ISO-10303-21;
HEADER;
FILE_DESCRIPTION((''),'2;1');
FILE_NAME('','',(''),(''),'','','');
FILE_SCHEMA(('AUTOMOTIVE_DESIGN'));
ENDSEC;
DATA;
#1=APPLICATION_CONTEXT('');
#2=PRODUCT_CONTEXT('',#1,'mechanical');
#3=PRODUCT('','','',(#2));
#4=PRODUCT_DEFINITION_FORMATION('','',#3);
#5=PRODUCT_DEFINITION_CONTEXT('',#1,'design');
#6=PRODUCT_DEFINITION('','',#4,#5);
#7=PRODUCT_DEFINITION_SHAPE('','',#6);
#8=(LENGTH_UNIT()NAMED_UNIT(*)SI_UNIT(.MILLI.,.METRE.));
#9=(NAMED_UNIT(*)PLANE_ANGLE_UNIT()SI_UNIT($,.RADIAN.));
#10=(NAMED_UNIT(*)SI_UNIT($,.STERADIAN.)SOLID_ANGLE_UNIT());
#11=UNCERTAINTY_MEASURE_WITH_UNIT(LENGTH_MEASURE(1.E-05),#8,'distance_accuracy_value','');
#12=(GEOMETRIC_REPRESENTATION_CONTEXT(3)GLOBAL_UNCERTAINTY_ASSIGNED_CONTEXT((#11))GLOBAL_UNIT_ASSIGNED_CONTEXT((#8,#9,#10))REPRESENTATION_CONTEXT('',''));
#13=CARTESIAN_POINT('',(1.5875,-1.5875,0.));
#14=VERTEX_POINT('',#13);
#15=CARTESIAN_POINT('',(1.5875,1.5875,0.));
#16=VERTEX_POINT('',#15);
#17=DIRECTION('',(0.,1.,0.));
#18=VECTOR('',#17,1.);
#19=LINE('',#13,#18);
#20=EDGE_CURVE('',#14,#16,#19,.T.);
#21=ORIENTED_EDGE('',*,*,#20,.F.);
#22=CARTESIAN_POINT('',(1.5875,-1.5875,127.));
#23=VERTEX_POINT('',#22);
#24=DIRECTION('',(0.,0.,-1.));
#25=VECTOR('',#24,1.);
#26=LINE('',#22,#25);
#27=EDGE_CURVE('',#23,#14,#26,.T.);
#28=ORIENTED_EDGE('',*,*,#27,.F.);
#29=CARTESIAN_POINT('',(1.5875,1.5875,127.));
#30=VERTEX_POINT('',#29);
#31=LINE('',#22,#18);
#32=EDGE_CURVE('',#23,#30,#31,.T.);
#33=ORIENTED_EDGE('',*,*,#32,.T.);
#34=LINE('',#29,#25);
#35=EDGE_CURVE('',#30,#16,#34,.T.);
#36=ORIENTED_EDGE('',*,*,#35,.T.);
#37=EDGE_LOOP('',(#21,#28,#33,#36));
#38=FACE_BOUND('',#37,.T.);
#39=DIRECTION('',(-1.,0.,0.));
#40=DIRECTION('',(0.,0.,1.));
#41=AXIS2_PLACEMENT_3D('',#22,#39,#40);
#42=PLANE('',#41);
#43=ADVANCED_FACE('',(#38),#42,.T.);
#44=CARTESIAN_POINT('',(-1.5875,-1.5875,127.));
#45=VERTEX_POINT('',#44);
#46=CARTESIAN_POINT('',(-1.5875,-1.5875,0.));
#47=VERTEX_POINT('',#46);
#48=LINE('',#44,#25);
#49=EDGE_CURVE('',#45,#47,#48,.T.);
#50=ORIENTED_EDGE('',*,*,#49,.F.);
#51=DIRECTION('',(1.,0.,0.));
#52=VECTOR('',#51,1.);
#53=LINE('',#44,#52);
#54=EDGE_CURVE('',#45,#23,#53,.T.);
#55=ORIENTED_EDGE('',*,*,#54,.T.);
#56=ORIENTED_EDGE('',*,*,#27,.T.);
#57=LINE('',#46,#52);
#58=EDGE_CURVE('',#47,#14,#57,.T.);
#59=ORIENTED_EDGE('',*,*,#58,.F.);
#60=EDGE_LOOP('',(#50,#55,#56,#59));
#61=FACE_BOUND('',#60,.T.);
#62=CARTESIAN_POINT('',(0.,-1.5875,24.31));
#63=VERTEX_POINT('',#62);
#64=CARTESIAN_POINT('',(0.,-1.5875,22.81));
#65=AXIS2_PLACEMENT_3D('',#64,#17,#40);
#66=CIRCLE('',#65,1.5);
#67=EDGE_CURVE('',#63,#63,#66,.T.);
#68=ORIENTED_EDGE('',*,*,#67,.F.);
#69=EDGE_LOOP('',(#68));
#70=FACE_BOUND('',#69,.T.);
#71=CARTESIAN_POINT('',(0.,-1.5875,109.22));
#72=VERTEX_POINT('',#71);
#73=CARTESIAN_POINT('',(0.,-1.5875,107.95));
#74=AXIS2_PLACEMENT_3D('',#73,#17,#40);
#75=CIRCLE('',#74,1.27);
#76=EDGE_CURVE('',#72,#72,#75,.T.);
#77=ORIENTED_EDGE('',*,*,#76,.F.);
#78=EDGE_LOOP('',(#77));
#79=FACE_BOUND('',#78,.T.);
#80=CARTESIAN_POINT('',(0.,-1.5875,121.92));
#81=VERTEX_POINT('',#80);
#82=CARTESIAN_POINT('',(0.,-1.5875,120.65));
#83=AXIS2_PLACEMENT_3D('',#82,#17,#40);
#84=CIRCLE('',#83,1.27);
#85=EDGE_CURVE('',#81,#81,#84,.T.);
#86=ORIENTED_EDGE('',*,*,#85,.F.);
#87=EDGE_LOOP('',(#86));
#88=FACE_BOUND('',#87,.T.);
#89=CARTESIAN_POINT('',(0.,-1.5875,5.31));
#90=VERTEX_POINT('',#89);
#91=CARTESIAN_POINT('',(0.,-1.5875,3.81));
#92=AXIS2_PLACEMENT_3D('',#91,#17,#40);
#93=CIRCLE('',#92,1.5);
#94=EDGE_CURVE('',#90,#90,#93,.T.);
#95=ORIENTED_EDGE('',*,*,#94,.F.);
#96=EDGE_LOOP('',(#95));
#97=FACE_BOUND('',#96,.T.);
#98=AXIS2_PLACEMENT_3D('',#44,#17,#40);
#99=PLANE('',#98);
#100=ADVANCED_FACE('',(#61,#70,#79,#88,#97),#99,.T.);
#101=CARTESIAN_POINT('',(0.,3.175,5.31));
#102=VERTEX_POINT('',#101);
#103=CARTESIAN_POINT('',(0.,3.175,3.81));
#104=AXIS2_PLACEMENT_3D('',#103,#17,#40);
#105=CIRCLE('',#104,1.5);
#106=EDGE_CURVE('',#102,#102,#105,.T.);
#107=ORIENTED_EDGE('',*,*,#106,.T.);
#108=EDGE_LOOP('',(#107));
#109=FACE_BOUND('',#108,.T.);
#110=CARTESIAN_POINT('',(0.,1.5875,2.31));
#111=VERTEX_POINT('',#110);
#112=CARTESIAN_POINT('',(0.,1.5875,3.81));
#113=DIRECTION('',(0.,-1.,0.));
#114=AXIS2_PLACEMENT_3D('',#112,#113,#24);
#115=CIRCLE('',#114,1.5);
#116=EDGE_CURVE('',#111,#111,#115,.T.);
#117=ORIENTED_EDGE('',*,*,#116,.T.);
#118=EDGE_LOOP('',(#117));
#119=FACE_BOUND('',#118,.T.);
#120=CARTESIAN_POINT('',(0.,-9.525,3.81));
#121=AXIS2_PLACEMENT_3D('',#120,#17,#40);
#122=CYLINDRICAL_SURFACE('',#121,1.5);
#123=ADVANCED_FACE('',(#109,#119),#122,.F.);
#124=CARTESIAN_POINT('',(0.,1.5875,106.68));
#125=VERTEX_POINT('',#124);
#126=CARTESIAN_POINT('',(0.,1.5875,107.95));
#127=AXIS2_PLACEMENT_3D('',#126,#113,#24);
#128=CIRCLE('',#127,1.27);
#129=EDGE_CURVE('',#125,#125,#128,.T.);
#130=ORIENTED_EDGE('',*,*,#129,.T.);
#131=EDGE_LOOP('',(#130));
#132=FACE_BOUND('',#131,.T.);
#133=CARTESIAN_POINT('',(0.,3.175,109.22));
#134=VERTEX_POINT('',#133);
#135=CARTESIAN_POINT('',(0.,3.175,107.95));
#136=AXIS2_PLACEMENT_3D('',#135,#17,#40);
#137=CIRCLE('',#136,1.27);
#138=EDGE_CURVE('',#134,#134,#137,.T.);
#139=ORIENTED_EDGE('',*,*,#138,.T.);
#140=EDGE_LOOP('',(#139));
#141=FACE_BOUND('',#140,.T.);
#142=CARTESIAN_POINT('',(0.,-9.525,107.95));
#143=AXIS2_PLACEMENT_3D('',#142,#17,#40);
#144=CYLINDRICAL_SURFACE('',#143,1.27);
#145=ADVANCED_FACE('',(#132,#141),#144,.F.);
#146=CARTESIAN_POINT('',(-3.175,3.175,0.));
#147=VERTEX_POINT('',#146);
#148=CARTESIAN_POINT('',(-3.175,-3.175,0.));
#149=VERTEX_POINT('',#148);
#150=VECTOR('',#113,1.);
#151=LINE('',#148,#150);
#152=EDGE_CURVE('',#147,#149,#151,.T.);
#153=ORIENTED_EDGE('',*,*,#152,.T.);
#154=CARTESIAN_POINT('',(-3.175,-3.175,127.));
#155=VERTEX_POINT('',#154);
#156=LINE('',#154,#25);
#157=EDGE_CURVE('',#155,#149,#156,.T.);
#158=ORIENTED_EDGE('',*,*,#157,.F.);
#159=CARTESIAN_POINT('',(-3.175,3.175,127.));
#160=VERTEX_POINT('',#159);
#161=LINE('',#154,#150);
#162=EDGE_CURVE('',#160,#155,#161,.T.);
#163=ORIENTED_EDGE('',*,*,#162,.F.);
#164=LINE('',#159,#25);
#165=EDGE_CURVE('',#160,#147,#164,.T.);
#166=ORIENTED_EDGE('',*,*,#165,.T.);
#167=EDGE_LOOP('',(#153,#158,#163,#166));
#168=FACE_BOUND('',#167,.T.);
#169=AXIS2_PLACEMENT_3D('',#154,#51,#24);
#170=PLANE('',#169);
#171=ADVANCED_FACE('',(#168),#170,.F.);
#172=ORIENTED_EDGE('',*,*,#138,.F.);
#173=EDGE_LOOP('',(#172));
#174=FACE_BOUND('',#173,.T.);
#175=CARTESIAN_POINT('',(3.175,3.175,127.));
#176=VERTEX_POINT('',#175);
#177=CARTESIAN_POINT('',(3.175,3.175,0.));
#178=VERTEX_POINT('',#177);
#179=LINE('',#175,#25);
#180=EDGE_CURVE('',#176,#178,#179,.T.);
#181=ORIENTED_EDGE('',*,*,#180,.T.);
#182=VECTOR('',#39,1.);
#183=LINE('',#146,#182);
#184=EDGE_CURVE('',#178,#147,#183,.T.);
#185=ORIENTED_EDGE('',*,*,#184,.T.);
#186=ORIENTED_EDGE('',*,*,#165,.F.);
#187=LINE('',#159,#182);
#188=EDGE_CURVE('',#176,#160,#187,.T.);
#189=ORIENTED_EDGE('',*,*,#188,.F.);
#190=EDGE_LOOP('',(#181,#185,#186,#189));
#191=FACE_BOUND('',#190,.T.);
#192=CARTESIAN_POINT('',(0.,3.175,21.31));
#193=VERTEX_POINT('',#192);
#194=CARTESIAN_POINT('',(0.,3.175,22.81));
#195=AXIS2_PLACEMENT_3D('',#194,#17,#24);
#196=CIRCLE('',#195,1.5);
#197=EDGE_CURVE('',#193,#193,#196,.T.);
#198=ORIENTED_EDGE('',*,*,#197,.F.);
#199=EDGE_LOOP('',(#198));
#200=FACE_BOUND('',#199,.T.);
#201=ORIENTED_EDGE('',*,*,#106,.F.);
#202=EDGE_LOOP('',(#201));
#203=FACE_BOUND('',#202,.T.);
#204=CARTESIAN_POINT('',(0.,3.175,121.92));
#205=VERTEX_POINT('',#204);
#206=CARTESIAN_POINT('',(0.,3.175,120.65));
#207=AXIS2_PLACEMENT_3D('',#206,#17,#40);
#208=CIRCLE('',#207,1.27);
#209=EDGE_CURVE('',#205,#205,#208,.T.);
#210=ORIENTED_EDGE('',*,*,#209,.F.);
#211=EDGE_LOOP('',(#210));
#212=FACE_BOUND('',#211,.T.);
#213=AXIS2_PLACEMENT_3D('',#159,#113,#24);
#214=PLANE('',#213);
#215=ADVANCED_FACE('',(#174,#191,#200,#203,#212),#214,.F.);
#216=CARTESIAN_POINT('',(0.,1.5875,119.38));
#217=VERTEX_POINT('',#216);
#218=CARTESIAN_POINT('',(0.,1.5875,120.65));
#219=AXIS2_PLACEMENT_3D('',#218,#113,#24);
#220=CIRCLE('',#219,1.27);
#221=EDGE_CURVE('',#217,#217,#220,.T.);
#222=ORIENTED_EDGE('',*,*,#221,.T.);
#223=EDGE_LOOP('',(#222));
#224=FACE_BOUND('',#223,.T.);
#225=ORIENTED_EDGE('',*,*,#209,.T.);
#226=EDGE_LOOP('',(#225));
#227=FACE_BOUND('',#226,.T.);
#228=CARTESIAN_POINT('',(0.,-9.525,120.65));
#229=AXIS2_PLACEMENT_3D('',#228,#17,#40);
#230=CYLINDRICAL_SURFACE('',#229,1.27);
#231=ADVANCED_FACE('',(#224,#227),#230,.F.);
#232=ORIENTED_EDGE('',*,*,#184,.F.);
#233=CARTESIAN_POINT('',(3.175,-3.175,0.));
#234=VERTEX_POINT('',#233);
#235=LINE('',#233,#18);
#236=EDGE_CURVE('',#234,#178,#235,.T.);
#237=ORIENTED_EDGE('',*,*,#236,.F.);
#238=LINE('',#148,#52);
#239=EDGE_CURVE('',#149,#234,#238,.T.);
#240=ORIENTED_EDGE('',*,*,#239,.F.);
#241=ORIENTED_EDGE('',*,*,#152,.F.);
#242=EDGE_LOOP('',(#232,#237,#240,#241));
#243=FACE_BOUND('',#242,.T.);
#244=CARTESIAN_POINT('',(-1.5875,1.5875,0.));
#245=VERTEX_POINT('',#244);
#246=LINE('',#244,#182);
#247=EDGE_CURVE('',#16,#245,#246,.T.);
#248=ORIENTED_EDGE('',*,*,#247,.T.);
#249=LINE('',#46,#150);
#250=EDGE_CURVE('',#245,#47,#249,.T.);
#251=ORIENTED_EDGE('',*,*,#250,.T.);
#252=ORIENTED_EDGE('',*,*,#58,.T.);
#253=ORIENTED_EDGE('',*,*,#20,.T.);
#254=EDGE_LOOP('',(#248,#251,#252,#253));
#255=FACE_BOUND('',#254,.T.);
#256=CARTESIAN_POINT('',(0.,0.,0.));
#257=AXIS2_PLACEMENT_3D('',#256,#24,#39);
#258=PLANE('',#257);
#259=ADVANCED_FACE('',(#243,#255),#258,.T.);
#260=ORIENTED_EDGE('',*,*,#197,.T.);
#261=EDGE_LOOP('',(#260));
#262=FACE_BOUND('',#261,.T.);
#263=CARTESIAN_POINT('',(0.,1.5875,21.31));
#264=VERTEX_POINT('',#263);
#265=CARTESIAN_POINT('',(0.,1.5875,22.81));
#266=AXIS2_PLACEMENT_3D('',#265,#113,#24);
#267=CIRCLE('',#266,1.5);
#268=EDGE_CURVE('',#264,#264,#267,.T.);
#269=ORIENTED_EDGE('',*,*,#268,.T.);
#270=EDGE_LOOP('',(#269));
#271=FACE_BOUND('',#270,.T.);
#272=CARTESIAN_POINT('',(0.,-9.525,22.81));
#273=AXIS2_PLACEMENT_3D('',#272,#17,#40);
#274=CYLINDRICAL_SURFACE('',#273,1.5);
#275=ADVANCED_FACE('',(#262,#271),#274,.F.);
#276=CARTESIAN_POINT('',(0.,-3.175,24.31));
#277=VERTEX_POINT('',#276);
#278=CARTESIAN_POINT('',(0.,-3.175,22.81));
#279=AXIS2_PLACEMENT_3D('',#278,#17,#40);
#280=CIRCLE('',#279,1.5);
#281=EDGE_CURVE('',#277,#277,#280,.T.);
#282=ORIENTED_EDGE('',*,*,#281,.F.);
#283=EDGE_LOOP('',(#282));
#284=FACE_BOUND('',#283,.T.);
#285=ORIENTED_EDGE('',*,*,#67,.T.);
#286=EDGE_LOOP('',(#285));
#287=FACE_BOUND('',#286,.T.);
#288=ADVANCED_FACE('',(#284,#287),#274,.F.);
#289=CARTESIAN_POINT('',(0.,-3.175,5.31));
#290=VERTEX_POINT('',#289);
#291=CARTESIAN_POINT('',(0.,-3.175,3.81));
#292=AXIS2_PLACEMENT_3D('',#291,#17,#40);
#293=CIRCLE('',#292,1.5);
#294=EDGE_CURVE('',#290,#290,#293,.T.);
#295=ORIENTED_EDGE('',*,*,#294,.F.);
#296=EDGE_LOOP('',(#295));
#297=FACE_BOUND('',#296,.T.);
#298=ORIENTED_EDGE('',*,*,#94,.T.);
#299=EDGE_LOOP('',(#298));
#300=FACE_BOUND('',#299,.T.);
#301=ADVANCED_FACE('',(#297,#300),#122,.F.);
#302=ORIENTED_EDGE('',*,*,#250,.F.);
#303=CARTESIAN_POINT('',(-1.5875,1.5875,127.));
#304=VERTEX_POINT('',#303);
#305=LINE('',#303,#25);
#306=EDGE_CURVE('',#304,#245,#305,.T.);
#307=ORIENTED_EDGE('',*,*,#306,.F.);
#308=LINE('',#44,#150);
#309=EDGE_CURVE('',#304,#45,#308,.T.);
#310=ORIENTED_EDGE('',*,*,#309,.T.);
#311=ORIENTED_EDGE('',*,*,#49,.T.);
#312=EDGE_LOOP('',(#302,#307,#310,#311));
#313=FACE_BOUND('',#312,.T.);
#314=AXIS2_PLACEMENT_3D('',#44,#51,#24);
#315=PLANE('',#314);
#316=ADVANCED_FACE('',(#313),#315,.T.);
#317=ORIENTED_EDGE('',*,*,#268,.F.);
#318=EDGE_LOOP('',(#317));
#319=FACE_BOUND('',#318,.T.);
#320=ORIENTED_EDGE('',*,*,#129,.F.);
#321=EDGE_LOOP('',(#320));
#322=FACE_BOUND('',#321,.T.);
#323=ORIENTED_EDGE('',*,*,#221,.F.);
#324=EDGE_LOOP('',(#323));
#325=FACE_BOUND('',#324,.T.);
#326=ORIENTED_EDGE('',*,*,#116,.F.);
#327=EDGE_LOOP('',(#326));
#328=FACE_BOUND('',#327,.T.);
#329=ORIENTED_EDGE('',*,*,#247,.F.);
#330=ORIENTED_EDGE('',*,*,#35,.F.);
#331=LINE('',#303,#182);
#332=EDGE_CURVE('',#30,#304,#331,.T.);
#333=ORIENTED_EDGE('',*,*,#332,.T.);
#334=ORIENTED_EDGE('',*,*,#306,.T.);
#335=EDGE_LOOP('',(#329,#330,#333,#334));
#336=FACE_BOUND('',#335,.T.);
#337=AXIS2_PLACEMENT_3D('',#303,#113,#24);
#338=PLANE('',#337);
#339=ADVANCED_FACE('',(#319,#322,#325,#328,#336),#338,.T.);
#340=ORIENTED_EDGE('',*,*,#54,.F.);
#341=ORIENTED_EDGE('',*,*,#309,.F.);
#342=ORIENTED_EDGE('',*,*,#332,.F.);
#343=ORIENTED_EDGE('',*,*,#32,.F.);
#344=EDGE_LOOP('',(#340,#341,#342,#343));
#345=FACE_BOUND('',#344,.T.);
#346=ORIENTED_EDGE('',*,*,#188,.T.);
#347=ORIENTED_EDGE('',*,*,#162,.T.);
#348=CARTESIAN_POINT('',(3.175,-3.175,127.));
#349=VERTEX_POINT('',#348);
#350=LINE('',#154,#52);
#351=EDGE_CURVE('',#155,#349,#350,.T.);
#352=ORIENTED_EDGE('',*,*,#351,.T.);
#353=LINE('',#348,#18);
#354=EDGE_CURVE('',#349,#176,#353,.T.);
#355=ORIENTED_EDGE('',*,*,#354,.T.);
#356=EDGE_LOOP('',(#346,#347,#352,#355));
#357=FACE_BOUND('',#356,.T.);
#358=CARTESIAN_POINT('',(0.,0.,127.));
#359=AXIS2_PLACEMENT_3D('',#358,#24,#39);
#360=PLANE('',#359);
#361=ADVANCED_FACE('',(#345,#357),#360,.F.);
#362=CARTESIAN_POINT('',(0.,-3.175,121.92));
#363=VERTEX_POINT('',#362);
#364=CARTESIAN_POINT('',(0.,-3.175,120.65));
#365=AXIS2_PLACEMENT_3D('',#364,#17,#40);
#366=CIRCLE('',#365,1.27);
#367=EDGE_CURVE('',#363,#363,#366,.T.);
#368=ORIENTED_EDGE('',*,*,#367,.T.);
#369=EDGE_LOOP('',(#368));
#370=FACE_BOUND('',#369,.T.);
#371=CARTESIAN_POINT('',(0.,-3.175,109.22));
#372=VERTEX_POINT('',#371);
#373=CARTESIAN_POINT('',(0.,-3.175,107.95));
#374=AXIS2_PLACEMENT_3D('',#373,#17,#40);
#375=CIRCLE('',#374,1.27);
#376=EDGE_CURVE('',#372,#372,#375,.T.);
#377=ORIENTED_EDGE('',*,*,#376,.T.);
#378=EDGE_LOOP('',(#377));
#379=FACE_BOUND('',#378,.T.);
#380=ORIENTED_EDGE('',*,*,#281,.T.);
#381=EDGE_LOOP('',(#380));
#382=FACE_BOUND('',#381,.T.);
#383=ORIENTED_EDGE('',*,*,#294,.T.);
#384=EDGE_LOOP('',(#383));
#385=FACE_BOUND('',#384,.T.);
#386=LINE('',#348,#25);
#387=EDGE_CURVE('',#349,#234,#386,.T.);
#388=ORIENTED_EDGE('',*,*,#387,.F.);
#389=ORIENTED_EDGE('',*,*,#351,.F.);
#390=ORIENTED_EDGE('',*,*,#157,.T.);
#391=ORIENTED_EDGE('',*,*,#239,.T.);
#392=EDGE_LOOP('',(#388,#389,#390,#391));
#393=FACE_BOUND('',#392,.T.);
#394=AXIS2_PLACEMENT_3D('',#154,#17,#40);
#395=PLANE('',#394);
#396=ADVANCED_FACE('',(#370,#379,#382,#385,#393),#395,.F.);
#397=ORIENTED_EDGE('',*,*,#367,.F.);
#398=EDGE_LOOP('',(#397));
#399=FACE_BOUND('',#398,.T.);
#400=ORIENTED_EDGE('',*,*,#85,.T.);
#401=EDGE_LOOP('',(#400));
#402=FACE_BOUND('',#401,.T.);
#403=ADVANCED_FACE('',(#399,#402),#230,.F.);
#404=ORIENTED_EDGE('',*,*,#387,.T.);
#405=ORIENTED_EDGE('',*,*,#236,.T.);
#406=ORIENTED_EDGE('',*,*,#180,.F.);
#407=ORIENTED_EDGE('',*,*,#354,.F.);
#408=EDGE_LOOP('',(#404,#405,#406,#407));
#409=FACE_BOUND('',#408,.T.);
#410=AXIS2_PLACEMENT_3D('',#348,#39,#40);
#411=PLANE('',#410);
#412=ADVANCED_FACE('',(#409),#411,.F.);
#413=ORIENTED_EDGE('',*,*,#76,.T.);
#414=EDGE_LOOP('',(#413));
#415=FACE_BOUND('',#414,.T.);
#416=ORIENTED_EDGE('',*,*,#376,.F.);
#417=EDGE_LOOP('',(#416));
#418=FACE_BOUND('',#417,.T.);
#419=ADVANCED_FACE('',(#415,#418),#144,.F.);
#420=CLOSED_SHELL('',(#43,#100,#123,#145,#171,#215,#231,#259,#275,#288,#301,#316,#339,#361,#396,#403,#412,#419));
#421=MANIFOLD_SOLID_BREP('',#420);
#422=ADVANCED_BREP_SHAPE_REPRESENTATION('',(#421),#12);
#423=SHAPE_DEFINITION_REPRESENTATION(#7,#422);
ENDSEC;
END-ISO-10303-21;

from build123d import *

# Parameters (mm, degrees)
SKETCH1_W           = 6.35
SKETCH1_H           = 6.35
SKETCH1_W_2         = 3.175
SKETCH1_H_2         = 3.175
BOSS_EXTRUDE1_DEPTH = 127
SKETCH3_R           = 1.27
CUT_EXTRUDE1_DEPTH  = 12.7
SKETCH4_R           = 1.5
CUT_EXTRUDE2_DEPTH  = 12.7


with BuildPart() as part:
    # Sketch1 → Boss-Extrude1 (new body)
    with BuildSketch(Plane.XY):
        Rectangle(SKETCH1_W, SKETCH1_H)
        Rectangle(SKETCH1_W_2, SKETCH1_H_2, mode=Mode.SUBTRACT)
    extrude(amount=BOSS_EXTRUDE1_DEPTH)

    # Sketch3 → Cut-Extrude1 (cut)
    with BuildSketch(Plane(origin=(0, 3.175, 0), x_dir=(1, 0, 0), z_dir=(0, 1, 0))):
        with Locations(Location((0, -120.65, 0), (0, 0, 270))):
            Circle(SKETCH3_R)
        with Locations(Location((0, -107.95, 0), (0, 0, 270))):
            Circle(SKETCH3_R)
    extrude(amount=-CUT_EXTRUDE1_DEPTH, mode=Mode.SUBTRACT)

    # Sketch4 → Cut-Extrude2 (cut)
    with BuildSketch(Plane(origin=(0, 3.175, 0), x_dir=(1, 0, 0), z_dir=(0, 1, 0))):
        with Locations(Location((0, -3.81, 0), (0, 0, 270))):
            Circle(SKETCH4_R)
        with Locations(Location((0, -22.81, 0), (0, 0, 270))):
            Circle(SKETCH4_R)
    extrude(amount=-CUT_EXTRUDE2_DEPTH, mode=Mode.SUBTRACT)


solid = part.part
